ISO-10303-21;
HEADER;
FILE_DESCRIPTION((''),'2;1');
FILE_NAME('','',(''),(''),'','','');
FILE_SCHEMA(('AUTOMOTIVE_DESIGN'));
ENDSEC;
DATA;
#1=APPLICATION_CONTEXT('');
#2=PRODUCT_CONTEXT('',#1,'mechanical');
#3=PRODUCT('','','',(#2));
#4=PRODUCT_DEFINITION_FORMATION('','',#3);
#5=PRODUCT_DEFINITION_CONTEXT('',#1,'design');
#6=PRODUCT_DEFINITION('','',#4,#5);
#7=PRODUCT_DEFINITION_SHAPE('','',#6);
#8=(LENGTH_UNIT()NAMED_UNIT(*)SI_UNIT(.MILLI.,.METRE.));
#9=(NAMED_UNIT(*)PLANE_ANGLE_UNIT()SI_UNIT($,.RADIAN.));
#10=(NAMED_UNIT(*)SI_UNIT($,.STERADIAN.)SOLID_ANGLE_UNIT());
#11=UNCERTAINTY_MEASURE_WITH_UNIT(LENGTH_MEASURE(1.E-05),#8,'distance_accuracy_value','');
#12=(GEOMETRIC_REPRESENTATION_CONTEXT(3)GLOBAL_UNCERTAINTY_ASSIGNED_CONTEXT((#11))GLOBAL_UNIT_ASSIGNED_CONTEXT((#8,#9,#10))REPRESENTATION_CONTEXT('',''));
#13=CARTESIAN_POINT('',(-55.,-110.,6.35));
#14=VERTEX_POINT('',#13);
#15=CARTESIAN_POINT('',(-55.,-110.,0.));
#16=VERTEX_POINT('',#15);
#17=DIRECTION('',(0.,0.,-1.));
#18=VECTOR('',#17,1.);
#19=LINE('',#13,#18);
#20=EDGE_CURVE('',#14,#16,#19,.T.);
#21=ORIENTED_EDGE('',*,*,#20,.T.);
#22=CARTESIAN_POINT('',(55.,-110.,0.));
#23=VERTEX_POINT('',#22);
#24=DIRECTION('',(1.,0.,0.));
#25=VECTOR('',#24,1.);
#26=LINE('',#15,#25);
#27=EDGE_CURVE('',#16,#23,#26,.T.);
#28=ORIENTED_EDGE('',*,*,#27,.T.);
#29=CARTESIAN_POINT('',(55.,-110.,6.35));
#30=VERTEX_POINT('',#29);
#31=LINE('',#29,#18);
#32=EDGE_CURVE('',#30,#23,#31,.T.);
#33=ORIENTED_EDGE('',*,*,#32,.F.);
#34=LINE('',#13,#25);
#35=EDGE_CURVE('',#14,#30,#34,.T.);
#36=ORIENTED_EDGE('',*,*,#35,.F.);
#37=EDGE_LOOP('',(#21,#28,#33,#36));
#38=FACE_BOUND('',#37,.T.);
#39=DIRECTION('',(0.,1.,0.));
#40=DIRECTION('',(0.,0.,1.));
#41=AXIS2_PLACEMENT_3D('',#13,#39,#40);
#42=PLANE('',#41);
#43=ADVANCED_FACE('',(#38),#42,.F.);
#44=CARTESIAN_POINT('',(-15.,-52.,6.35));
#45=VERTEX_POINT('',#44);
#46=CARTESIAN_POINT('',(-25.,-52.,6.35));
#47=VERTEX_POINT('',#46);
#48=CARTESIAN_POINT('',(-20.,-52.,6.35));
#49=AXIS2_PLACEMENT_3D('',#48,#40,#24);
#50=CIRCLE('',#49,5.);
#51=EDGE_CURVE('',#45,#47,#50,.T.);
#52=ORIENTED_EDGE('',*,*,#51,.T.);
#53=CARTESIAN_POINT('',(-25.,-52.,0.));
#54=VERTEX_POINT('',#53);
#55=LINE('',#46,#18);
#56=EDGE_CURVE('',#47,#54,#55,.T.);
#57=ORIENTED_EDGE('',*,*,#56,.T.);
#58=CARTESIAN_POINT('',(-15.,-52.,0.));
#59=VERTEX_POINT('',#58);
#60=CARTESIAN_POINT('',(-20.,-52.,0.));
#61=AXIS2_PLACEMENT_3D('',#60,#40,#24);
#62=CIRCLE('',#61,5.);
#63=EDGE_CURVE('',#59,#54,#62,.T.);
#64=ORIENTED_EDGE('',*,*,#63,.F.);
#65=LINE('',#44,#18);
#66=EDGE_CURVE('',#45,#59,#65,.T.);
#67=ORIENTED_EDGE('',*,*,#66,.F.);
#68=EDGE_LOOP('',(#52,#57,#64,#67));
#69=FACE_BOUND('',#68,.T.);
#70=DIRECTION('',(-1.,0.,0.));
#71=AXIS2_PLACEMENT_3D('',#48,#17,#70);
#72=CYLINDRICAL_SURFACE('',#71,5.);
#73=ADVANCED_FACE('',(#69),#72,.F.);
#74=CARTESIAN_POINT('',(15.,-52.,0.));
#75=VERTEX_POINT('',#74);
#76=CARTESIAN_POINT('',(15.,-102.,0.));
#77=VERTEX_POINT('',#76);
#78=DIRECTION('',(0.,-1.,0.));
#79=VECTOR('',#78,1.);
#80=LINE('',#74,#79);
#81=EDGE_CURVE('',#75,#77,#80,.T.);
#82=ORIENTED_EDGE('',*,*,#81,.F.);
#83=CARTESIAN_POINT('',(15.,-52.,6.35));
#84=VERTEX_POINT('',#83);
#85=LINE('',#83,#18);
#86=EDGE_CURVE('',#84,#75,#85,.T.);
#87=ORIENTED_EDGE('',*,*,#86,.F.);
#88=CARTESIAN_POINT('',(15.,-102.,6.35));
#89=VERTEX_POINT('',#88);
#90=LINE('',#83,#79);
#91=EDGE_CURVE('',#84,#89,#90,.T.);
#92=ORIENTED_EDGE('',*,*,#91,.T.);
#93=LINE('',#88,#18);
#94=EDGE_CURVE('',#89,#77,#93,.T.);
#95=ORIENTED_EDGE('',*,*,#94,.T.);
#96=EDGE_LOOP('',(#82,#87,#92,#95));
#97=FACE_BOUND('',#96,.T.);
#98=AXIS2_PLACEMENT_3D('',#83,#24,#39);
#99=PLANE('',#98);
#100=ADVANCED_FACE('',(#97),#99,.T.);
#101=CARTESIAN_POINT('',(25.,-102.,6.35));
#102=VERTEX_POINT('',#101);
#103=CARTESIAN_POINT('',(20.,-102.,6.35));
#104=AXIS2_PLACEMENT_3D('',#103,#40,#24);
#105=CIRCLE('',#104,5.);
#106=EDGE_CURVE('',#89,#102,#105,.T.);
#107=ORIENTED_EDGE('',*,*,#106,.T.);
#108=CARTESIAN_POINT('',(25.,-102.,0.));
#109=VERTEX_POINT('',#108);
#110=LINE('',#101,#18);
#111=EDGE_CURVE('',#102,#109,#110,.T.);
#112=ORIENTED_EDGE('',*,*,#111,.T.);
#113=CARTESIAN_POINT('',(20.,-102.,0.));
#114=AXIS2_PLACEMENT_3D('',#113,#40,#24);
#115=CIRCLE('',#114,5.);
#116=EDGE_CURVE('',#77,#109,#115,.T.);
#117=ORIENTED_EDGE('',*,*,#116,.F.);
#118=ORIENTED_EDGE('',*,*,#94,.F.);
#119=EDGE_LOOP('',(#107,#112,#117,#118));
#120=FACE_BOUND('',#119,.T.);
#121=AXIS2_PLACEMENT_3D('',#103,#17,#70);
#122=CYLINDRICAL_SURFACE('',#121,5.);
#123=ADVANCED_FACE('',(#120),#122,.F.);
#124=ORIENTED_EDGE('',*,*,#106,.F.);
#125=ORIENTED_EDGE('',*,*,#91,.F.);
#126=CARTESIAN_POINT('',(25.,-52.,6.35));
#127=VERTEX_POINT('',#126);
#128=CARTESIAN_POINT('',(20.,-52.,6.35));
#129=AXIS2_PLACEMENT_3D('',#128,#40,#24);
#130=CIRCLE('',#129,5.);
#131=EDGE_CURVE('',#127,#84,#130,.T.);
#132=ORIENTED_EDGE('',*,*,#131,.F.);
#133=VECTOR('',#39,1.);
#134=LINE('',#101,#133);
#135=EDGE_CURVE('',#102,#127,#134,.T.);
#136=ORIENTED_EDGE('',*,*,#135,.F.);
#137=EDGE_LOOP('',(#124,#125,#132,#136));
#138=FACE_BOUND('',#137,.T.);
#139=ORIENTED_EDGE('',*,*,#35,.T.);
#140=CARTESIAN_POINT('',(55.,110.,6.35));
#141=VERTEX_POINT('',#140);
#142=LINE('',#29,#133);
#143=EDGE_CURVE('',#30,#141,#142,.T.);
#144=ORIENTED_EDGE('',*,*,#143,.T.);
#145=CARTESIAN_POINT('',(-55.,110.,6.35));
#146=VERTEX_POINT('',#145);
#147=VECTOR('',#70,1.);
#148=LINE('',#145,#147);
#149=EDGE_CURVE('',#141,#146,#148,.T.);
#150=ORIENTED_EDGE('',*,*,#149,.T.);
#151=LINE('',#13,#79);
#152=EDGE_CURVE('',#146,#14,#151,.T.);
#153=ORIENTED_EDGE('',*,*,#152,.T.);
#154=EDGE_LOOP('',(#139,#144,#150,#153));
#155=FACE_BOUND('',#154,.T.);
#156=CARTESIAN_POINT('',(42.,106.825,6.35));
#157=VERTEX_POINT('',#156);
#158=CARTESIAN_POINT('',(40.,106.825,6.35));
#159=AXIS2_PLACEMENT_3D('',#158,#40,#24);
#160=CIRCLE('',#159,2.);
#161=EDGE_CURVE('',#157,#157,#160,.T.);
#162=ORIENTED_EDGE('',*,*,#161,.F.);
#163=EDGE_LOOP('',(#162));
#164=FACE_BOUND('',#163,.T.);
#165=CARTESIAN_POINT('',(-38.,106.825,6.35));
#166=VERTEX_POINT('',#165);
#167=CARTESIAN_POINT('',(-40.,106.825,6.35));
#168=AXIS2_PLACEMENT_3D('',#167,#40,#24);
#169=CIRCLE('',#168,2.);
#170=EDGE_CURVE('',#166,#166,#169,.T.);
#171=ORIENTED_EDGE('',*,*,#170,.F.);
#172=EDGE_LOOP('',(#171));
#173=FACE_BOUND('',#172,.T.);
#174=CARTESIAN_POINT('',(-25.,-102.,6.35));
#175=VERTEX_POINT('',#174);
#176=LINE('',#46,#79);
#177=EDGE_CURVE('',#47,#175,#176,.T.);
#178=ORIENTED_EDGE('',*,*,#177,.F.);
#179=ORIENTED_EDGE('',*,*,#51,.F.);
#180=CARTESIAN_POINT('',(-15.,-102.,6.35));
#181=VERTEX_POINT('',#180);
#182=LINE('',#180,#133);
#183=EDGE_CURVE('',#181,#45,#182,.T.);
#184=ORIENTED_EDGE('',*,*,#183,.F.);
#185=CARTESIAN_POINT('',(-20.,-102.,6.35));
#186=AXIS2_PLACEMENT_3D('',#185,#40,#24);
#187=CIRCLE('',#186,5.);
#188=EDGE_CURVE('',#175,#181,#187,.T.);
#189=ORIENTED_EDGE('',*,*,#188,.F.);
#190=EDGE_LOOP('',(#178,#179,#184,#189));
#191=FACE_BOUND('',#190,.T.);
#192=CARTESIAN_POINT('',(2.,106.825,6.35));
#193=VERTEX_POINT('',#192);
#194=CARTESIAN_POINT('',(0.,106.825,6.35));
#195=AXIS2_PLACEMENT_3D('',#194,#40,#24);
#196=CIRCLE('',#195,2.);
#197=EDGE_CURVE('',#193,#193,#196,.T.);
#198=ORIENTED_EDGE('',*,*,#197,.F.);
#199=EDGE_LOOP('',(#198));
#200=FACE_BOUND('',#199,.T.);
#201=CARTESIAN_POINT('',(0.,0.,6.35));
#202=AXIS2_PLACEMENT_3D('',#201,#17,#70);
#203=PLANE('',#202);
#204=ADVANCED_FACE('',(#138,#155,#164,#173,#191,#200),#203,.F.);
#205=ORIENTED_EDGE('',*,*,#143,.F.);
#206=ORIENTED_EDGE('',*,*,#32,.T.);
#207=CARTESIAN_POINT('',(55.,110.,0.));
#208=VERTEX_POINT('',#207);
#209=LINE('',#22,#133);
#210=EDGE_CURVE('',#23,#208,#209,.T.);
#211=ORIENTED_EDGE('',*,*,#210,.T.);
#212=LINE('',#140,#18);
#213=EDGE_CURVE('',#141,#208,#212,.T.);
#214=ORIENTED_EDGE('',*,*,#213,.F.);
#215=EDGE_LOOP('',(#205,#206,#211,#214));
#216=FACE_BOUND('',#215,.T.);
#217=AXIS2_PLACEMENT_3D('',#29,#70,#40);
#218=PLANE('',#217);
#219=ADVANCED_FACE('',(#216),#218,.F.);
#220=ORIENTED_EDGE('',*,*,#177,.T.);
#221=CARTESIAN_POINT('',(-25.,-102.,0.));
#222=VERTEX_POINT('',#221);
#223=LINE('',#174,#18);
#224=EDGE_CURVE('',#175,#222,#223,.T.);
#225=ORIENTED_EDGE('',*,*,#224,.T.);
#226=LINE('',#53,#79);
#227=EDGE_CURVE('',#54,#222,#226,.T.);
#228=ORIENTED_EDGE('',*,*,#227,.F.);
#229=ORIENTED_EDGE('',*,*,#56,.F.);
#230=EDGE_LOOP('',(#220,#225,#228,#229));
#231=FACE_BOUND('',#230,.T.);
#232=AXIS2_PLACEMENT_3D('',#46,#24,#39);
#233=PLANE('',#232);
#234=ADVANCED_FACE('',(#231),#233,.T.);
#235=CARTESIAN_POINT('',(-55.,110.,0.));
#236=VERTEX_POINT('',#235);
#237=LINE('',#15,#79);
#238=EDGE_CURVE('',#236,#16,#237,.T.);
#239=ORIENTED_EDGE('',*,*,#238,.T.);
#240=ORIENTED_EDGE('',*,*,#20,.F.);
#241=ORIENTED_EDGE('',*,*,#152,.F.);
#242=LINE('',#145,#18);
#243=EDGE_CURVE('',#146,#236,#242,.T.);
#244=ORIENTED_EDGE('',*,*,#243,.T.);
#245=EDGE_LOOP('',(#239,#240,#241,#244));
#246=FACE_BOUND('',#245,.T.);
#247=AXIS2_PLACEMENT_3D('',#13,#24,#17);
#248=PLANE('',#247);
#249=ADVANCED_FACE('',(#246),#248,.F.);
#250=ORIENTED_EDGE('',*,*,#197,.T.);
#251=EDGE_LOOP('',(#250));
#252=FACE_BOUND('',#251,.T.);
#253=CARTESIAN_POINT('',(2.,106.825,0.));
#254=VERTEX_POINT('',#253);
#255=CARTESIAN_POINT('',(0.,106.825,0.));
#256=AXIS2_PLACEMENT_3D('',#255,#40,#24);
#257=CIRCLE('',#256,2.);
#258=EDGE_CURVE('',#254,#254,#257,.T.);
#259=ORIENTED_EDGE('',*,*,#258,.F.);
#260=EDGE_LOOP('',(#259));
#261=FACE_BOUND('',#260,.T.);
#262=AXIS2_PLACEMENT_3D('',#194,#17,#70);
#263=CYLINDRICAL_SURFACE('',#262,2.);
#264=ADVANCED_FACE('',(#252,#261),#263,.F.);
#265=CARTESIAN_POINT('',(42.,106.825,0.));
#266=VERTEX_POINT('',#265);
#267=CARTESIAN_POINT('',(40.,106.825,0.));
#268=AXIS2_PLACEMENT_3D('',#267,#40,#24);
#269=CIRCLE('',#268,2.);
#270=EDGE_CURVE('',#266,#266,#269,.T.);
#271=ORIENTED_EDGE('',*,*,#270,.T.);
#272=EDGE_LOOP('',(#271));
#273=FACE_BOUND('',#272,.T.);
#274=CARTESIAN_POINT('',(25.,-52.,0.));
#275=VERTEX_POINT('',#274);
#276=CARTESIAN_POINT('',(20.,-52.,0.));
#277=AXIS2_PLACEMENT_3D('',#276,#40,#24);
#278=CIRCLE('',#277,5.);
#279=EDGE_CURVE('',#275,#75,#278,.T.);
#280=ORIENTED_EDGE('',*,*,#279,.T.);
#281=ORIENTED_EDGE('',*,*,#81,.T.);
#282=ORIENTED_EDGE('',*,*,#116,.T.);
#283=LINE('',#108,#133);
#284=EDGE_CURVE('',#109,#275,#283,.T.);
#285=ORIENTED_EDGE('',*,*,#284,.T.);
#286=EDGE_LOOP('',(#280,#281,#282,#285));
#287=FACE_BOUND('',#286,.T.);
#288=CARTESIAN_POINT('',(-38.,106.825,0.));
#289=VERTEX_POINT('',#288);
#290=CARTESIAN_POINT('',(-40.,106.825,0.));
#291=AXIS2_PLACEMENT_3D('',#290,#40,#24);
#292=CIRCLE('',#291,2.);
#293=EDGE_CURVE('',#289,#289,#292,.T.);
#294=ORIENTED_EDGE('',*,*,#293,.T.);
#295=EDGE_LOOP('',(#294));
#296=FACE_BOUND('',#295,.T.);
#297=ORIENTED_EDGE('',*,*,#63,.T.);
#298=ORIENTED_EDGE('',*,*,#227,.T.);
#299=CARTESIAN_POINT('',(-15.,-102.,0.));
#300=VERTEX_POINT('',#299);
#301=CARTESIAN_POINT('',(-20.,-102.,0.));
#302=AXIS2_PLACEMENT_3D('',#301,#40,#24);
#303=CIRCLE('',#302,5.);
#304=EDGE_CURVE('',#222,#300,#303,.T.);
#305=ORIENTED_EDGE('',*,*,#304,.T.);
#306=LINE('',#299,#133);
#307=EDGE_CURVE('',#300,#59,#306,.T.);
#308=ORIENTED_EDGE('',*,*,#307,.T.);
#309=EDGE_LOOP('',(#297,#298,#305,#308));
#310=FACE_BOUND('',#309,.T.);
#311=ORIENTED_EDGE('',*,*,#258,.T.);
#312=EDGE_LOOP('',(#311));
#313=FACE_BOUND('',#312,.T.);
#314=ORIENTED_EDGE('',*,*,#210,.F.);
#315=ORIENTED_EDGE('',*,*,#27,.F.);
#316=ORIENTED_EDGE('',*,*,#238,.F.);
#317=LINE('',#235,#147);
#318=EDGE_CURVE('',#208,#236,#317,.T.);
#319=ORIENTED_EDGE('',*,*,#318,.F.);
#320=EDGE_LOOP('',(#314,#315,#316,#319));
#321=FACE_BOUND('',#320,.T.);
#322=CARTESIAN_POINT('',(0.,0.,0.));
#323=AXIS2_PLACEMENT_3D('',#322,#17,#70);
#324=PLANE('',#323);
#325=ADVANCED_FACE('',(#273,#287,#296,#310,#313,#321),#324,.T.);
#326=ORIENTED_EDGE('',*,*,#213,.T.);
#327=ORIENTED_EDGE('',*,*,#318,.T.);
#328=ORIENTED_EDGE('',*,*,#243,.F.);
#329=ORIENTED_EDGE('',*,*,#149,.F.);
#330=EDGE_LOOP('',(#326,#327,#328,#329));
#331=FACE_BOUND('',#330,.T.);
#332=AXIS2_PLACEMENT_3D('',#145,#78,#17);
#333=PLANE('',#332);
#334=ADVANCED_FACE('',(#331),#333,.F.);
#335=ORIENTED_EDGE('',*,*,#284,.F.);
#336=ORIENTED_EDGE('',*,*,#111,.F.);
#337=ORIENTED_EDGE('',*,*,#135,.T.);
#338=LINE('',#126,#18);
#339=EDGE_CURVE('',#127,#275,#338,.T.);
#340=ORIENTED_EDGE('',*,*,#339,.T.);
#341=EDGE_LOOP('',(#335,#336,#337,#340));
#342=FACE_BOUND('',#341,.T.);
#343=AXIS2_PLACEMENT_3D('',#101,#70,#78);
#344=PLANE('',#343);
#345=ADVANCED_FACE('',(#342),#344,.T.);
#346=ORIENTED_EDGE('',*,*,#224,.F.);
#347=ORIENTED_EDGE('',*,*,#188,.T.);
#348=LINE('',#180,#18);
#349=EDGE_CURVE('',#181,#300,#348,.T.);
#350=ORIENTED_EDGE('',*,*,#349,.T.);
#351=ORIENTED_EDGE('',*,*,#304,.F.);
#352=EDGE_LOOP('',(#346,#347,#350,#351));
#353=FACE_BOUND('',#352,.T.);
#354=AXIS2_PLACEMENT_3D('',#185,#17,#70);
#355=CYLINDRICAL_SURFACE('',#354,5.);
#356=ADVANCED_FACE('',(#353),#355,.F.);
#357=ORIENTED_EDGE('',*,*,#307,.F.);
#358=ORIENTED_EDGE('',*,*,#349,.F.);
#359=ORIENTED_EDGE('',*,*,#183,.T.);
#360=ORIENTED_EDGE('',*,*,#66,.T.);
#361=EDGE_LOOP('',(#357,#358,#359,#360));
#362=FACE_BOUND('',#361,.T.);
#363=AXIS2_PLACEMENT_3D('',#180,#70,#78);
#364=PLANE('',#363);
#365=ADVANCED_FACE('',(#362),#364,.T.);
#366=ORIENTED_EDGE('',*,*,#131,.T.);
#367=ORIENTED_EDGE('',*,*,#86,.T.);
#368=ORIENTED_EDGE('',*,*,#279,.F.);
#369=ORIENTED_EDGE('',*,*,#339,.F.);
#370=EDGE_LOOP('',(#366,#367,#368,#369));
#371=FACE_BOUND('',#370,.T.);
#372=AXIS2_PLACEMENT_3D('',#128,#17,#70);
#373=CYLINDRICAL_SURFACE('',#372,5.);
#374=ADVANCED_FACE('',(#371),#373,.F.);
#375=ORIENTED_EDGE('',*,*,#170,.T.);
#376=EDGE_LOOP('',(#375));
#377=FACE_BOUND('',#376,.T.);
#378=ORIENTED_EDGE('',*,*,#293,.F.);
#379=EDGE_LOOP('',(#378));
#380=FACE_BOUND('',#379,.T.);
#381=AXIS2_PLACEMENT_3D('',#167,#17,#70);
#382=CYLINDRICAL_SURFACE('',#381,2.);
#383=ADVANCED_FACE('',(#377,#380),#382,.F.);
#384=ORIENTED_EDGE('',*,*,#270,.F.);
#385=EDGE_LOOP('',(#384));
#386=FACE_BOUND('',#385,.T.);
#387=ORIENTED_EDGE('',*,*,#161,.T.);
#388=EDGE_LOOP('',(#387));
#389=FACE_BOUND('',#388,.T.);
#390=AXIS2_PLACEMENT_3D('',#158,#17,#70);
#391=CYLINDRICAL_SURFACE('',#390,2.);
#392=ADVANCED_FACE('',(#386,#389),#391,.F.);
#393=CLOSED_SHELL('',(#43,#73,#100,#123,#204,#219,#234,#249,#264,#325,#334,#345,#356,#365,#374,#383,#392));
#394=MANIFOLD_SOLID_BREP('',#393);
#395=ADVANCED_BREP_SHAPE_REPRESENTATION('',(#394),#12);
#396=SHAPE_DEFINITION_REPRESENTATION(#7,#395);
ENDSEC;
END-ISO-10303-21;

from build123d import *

# Parameters (mm, degrees)
CROQUIS1_W              = 110
CROQUIS1_H              = 220
SALIENTE_EXTRUIR1_DEPTH = 6.35
CROQUIS2_R              = 2
CORTAR_EXTRUIR2_DEPTH   = 7.35


with BuildPart() as part:
    # Croquis1 → Saliente-Extruir1 (new body)
    with BuildSketch(Plane.XY):
        Rectangle(CROQUIS1_W, CROQUIS1_H)
    extrude(amount=SALIENTE_EXTRUIR1_DEPTH)

    # Croquis2 → Cortar-Extruir2 (cut, through all)
    with BuildSketch(Plane.XY):
        with Locations((40, 106.825)):
            Circle(CROQUIS2_R)
        with Locations((-40, 106.825)):
            Circle(CROQUIS2_R)
        with Locations((0, 106.825)):
            Circle(CROQUIS2_R)
        with BuildLine():
            Line((-25, -52), (-25, -102))
            ThreePointArc((-25, -102), (-20, -107), (-15, -102))
            Line((-15, -102), (-15, -52))
            ThreePointArc((-15, -52), (-20, -47), (-25, -52))
        make_face()
        with BuildLine():
            Line((15, -52), (15, -102))
            ThreePointArc((15, -102), (20, -107), (25, -102))
            Line((25, -102), (25, -52))
            ThreePointArc((25, -52), (20, -47), (15, -52))
        make_face()
    extrude(amount=CORTAR_EXTRUIR2_DEPTH, mode=Mode.SUBTRACT)


solid = part.part
